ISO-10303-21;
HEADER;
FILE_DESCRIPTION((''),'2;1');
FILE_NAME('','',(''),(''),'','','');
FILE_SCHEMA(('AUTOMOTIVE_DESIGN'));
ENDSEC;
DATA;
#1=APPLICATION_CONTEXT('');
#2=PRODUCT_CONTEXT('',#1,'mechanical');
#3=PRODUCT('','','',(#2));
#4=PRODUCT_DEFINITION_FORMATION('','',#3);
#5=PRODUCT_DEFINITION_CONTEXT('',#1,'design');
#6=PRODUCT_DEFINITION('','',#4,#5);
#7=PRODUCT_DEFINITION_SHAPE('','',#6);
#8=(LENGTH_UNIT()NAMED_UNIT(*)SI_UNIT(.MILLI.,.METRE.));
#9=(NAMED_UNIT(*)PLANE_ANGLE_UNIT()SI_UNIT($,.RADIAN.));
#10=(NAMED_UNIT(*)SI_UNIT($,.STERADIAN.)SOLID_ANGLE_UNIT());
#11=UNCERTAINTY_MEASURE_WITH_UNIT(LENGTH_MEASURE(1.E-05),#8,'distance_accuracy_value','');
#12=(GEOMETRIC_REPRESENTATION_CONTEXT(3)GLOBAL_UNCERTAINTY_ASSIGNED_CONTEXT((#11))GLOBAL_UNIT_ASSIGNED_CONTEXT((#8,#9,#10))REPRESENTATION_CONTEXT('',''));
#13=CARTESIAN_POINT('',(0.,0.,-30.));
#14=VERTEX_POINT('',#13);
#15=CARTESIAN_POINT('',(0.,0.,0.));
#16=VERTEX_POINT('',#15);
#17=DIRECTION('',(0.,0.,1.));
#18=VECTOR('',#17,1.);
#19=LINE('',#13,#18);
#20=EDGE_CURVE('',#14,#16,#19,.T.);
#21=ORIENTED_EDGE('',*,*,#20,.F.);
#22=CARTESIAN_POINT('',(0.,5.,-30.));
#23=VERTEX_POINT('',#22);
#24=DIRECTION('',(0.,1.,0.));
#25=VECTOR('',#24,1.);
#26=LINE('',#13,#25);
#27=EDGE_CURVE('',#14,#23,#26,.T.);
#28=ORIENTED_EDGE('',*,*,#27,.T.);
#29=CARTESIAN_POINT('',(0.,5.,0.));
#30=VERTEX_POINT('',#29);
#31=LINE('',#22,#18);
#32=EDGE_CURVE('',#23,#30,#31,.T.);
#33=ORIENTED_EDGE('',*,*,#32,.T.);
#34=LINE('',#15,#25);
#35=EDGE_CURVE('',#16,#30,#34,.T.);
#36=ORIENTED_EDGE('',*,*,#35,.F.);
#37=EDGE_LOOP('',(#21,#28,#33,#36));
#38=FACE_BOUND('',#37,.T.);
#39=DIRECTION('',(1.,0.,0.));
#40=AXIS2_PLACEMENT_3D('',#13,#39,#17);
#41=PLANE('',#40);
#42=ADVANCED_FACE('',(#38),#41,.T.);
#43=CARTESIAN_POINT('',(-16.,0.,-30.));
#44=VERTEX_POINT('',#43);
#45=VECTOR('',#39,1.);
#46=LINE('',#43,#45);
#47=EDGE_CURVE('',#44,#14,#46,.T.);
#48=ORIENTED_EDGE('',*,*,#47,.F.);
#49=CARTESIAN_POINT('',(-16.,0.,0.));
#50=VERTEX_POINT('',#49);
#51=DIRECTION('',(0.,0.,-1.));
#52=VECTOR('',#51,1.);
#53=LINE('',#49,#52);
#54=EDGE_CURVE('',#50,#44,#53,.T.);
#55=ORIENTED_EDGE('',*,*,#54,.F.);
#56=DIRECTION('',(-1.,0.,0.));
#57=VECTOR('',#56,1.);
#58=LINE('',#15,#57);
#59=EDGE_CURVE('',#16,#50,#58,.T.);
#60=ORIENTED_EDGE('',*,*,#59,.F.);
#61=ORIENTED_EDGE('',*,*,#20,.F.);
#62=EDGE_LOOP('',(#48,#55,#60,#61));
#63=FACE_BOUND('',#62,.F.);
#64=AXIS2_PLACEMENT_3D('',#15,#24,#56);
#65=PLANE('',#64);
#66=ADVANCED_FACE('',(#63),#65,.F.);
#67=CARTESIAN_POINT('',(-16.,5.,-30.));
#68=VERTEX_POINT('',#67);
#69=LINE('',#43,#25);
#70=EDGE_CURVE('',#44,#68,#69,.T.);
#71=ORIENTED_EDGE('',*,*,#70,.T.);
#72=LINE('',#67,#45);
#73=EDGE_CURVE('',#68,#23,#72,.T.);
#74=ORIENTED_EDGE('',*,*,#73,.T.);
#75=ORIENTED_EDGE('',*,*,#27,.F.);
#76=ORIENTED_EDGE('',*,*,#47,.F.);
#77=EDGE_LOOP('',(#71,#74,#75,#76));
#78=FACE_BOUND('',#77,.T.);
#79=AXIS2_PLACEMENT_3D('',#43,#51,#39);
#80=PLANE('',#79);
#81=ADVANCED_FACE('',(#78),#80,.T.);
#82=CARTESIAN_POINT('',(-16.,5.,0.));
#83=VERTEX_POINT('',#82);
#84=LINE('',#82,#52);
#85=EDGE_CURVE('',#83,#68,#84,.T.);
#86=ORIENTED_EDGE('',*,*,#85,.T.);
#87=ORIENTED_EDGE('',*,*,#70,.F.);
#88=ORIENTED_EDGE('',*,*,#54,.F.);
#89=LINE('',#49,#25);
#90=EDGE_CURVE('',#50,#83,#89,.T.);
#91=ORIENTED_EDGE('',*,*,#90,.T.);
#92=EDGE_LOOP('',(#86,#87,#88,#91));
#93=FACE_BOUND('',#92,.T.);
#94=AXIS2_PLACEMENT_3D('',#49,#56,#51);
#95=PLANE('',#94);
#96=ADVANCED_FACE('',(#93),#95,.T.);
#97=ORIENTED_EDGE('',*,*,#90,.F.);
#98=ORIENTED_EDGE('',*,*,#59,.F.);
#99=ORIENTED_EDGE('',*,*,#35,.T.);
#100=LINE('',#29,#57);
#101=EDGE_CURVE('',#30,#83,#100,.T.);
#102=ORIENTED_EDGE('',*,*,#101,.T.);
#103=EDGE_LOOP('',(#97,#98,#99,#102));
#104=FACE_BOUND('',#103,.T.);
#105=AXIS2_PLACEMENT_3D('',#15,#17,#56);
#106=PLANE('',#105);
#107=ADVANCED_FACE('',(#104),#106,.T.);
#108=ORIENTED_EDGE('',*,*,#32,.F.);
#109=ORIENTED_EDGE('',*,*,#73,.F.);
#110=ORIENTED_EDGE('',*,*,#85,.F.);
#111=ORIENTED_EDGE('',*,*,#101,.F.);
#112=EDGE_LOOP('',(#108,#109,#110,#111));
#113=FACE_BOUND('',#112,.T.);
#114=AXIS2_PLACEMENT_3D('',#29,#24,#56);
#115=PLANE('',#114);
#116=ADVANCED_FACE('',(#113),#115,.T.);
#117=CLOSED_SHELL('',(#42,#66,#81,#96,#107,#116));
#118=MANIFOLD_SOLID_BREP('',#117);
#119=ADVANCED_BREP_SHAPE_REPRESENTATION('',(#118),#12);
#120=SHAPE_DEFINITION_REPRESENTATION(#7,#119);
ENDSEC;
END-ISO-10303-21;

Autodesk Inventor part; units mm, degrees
ref_plane "YZ Plane" through (0, 0, 0) normal (1, 0, 0) x (0, 1, 0)
ref_plane "XZ Plane" through (0, 0, 0) normal (0, 1, 0) x (-1, 0, 0)
ref_plane "XY Plane" through (0, 0, 0) normal (0, 0, 1) x (1, 0, 0)
sketch "草图1" plane through (0, 0, 0) normal (0, 1, 0) x (-1, 0, 0)
  line L0 (0, 0) -> (16, 0)
  line L1 (16, 0) -> (16, -30)
  line L2 (16, -30) -> (0, -30)
  line L3 (0, -30) -> (0, 0)
  dimension "d0" = 30
  dimension "d1" = 16
extrude "拉伸1" add sketch "草图1" along normal blind 5
sketch "草图2" plane through (0, 5, 0) normal (0, 1, 0) x (1, 0, 0)
  line L0 (-16.3381, 12.6134) -> (-3.8742, 12.6134) construction
  line L1 (-3.8742, 12.6134) -> (-3.8742, 11.0639) construction
  line L2 (-3.8742, 11.0639) -> (-16.3381, 11.0639) construction
  line L3 (-16.3381, 11.0639) -> (-16.3381, 12.6134) construction
properties part number "无线接收模块"
